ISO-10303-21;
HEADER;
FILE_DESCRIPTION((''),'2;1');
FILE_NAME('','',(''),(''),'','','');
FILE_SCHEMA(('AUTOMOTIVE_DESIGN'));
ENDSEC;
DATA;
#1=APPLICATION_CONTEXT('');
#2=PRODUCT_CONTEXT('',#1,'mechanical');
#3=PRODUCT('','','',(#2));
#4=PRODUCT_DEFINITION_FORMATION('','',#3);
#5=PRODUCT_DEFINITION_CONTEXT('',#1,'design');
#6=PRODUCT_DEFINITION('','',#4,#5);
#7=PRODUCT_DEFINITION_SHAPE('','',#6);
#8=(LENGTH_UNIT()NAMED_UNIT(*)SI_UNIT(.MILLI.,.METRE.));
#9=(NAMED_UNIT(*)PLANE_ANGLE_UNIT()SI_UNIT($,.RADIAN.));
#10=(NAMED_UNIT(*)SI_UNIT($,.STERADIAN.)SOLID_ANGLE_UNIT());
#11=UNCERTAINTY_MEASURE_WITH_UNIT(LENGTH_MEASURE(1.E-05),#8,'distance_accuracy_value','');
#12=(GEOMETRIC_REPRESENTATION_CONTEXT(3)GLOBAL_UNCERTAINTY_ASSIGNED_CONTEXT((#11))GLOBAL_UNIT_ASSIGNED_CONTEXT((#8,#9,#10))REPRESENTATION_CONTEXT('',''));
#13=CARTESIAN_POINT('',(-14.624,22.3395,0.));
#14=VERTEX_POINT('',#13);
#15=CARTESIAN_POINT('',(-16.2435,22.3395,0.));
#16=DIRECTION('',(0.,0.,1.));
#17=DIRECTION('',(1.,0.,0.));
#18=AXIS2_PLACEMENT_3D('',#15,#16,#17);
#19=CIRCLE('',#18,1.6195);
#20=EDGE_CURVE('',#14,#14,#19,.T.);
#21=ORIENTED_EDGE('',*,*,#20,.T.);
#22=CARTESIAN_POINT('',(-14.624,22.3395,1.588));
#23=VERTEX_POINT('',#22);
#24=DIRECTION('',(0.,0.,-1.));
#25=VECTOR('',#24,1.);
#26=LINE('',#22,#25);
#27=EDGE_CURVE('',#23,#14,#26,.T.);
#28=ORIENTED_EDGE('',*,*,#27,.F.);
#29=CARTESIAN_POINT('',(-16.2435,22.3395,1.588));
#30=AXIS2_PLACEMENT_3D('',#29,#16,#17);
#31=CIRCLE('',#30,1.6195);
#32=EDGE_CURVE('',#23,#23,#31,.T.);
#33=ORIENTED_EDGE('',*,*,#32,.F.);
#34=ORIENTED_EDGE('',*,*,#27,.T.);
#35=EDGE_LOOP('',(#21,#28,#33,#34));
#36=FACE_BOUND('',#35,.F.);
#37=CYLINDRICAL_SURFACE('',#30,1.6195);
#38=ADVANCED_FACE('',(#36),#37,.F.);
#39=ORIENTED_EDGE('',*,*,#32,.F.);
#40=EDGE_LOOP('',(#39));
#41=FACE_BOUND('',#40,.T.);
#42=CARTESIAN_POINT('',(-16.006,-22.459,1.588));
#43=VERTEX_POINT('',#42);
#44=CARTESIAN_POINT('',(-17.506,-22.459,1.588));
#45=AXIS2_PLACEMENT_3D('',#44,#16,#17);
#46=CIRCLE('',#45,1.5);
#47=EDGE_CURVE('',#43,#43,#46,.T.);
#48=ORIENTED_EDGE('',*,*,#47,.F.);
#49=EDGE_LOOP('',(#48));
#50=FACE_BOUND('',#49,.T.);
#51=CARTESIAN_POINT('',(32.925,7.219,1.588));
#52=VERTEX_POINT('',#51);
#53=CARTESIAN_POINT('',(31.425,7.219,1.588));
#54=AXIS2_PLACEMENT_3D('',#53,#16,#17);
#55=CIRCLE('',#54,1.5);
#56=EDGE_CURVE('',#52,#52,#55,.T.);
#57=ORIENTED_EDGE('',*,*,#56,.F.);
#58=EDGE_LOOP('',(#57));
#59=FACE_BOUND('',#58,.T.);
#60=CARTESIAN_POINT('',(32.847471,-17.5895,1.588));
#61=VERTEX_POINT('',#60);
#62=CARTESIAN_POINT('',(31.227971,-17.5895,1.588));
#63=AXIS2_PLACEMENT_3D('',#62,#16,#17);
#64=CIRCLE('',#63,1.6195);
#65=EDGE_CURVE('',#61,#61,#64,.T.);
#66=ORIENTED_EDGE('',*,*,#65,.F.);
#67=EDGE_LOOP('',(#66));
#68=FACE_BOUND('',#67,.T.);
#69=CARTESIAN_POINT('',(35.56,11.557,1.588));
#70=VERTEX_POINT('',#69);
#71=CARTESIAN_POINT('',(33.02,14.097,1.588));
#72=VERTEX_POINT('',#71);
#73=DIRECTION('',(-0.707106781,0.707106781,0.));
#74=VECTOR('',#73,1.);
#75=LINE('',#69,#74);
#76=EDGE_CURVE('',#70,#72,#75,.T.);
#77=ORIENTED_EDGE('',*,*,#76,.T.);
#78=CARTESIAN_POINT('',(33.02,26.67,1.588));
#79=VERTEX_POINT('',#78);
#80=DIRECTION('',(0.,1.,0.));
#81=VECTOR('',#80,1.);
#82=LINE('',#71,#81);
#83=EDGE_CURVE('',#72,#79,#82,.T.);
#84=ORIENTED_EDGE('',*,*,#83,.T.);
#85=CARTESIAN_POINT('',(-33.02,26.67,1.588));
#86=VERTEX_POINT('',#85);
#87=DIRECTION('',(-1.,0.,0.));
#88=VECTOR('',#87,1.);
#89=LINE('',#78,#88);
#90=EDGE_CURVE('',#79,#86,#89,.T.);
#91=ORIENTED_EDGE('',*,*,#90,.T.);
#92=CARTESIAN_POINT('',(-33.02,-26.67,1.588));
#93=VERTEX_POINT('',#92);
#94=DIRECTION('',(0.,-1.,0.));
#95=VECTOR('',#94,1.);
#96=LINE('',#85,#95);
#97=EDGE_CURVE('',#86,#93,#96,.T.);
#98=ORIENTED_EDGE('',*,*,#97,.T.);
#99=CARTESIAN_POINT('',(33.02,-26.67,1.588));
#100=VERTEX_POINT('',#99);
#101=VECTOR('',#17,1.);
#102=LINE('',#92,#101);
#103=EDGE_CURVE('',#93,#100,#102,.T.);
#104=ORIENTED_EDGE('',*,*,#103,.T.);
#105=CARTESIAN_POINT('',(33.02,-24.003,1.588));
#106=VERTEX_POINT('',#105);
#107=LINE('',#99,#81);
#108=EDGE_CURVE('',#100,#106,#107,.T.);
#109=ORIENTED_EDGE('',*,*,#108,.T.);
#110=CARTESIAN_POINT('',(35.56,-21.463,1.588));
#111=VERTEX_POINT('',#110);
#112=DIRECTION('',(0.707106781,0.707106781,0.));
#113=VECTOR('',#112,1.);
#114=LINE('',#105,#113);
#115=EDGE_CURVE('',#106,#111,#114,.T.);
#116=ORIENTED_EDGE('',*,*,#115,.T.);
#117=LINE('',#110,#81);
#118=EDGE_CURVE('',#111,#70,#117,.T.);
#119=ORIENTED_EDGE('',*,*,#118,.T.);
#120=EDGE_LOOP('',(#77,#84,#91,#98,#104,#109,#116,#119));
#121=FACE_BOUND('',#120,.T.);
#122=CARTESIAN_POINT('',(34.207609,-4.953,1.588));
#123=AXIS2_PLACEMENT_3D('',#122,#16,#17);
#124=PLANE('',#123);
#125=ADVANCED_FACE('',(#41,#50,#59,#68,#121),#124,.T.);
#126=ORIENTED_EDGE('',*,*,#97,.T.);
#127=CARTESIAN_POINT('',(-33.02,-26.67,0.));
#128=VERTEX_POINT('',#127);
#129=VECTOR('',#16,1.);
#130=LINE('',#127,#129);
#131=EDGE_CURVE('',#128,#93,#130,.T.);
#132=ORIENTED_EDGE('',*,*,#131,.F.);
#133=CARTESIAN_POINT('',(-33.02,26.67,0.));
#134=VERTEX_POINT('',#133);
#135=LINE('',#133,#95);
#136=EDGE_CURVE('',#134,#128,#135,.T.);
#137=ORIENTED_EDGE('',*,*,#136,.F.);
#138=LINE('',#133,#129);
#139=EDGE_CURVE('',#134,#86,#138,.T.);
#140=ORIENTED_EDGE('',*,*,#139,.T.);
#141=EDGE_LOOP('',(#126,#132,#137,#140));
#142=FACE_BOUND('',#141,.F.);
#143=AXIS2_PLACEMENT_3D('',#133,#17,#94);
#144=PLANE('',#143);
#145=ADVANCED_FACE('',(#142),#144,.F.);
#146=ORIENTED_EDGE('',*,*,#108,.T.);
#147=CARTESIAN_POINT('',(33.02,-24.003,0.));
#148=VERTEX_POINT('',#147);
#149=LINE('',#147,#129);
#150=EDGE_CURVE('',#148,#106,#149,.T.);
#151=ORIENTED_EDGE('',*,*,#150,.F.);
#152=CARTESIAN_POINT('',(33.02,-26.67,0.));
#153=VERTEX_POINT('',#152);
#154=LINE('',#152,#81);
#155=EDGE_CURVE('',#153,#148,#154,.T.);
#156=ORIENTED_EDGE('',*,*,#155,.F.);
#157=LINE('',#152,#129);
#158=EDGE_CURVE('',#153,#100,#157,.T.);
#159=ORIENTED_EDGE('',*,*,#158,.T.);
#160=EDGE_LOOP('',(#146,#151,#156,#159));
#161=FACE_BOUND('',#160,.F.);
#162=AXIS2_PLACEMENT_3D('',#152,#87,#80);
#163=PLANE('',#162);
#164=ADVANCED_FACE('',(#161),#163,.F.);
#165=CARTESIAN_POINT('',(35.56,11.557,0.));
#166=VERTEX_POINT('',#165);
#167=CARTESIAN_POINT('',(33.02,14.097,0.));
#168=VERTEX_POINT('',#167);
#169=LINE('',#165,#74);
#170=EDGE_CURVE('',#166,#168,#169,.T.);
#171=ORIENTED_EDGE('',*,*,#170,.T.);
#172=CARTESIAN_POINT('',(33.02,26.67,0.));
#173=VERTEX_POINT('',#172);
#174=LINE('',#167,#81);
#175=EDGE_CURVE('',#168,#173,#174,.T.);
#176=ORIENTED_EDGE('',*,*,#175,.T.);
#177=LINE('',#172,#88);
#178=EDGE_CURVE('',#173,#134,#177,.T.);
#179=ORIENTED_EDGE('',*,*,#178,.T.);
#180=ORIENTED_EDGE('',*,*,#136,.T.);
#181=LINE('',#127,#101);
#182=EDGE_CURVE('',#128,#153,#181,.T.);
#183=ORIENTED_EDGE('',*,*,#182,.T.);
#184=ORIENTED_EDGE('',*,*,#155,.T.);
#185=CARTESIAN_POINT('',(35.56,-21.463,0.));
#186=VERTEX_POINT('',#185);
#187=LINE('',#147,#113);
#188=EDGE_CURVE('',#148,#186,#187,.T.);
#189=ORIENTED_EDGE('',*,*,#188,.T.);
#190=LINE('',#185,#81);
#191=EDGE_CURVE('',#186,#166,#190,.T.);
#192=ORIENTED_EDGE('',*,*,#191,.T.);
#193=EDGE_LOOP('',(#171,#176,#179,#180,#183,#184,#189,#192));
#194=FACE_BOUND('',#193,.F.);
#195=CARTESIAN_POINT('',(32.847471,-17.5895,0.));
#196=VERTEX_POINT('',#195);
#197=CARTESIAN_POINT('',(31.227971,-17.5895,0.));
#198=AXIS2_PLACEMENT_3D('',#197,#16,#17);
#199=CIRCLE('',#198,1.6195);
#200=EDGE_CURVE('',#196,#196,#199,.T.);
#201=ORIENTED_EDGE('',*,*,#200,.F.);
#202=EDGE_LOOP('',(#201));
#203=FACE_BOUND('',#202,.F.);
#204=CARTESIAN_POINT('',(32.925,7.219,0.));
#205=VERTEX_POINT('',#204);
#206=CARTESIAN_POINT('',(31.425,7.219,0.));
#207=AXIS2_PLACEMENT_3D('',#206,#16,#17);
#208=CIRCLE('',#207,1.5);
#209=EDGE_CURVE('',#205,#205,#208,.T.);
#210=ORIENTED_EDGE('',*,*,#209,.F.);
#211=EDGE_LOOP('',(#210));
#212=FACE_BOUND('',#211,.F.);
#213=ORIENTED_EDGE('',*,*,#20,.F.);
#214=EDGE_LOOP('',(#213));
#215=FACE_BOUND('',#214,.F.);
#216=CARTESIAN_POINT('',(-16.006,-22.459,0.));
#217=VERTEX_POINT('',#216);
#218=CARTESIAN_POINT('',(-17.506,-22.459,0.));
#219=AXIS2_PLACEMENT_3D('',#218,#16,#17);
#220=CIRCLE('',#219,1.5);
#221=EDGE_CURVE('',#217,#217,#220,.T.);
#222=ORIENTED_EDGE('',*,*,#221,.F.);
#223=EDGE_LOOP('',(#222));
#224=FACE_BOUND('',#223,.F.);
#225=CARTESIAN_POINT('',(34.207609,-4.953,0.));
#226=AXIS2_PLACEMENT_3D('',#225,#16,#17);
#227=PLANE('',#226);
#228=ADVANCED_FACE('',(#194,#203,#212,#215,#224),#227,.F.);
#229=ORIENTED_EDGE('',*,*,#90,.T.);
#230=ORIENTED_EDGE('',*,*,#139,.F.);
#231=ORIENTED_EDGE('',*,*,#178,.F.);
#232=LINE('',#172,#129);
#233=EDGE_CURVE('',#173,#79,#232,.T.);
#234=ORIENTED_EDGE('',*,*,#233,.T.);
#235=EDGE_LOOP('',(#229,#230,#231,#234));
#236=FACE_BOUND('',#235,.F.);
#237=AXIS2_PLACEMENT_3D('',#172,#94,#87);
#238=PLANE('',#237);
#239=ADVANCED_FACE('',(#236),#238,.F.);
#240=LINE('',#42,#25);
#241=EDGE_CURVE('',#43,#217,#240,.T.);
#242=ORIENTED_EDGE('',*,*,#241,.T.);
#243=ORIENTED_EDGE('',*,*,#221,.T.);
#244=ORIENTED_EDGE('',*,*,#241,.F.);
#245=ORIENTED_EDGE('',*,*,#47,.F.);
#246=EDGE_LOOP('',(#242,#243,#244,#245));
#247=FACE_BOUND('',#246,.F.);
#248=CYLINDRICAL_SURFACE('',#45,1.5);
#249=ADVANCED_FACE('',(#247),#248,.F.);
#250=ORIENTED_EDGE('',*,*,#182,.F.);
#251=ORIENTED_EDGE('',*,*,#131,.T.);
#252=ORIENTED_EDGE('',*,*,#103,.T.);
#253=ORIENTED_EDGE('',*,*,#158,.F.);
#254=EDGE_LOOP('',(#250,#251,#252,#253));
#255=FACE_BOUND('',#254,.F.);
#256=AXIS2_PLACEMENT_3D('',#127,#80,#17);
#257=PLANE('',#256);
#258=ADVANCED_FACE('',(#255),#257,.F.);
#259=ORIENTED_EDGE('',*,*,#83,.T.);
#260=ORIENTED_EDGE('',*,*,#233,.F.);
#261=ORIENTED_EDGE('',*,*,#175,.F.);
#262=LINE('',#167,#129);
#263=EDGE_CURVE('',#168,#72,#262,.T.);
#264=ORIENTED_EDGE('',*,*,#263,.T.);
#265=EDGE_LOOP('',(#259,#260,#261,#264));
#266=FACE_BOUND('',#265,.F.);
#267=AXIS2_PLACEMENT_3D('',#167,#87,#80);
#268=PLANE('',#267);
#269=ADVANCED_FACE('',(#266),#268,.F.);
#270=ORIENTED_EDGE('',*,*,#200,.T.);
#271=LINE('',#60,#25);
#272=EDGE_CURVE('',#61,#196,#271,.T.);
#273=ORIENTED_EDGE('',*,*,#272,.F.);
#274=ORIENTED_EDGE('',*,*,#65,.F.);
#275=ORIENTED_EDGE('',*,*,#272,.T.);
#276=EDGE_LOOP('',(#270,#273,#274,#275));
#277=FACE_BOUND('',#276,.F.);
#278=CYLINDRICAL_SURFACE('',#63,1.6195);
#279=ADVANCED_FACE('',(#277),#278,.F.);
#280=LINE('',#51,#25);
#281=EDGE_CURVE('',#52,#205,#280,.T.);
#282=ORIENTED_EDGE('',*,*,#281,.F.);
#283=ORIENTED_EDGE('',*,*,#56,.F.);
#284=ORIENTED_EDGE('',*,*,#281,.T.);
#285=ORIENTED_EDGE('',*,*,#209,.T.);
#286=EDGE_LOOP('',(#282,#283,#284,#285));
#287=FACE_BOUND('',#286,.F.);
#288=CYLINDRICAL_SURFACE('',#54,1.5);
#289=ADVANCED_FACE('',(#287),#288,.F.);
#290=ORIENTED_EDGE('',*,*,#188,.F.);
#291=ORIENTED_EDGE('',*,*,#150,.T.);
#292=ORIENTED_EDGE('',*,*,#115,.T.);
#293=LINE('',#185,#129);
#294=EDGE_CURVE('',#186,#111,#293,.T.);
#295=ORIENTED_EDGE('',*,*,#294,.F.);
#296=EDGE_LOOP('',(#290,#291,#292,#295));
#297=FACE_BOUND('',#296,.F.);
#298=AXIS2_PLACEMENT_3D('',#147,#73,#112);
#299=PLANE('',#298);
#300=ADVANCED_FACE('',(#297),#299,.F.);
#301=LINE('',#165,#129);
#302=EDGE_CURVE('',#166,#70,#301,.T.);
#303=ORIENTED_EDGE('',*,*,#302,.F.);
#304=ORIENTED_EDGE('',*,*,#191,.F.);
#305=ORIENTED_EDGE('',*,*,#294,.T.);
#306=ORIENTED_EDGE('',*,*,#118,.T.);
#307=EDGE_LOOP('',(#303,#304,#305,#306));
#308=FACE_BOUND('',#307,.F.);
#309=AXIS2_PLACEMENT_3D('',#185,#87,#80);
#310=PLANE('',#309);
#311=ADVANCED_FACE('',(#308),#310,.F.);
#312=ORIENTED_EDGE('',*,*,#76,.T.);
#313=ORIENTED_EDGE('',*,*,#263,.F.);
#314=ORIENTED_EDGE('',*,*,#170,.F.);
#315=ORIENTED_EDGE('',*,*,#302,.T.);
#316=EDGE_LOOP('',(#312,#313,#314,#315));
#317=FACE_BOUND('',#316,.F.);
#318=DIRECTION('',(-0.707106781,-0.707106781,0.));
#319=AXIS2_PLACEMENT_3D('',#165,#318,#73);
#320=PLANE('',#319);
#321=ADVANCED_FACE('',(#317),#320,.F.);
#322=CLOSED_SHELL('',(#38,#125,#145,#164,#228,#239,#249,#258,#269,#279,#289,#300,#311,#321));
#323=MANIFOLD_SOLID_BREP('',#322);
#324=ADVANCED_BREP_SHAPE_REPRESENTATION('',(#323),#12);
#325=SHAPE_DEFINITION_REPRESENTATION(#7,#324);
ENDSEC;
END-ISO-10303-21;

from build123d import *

# Parameters (mm, degrees)
F1_DEPTH = 1.588
F2_R     = 1.6195
F2_R_2   = 1.5
F3_DEPTH = 1.588


with BuildPart() as f1:
    # F0 (on Top) → F1 (new body)
    with BuildSketch(Plane.XY):
        Polygon((35.56, 11.557), (33.02, 14.097), (33.02, -24.003), (35.56, -21.463), align=None)
        Polygon((33.02, 26.67), (-33.02, 26.67), (-33.02, -26.67), (33.02, -26.67), (33.02, -24.003), (33.02, 14.097), align=None)
    extrude(amount=F1_DEPTH)

    # F2 (on face) → F3 (cut)
    with BuildSketch(Plane.XY.offset(1.588)):
        with Locations((-16.2435, 22.3395)):
            Circle(F2_R)
        with Locations((-17.506, -22.459)):
            Circle(F2_R_2)
        with Locations((31.227971, -17.5895)):
            Circle(F2_R)
        with Locations((31.425, 7.219)):
            Circle(F2_R_2)
    extrude(amount=-F3_DEPTH, mode=Mode.SUBTRACT)


solid = f1.part
